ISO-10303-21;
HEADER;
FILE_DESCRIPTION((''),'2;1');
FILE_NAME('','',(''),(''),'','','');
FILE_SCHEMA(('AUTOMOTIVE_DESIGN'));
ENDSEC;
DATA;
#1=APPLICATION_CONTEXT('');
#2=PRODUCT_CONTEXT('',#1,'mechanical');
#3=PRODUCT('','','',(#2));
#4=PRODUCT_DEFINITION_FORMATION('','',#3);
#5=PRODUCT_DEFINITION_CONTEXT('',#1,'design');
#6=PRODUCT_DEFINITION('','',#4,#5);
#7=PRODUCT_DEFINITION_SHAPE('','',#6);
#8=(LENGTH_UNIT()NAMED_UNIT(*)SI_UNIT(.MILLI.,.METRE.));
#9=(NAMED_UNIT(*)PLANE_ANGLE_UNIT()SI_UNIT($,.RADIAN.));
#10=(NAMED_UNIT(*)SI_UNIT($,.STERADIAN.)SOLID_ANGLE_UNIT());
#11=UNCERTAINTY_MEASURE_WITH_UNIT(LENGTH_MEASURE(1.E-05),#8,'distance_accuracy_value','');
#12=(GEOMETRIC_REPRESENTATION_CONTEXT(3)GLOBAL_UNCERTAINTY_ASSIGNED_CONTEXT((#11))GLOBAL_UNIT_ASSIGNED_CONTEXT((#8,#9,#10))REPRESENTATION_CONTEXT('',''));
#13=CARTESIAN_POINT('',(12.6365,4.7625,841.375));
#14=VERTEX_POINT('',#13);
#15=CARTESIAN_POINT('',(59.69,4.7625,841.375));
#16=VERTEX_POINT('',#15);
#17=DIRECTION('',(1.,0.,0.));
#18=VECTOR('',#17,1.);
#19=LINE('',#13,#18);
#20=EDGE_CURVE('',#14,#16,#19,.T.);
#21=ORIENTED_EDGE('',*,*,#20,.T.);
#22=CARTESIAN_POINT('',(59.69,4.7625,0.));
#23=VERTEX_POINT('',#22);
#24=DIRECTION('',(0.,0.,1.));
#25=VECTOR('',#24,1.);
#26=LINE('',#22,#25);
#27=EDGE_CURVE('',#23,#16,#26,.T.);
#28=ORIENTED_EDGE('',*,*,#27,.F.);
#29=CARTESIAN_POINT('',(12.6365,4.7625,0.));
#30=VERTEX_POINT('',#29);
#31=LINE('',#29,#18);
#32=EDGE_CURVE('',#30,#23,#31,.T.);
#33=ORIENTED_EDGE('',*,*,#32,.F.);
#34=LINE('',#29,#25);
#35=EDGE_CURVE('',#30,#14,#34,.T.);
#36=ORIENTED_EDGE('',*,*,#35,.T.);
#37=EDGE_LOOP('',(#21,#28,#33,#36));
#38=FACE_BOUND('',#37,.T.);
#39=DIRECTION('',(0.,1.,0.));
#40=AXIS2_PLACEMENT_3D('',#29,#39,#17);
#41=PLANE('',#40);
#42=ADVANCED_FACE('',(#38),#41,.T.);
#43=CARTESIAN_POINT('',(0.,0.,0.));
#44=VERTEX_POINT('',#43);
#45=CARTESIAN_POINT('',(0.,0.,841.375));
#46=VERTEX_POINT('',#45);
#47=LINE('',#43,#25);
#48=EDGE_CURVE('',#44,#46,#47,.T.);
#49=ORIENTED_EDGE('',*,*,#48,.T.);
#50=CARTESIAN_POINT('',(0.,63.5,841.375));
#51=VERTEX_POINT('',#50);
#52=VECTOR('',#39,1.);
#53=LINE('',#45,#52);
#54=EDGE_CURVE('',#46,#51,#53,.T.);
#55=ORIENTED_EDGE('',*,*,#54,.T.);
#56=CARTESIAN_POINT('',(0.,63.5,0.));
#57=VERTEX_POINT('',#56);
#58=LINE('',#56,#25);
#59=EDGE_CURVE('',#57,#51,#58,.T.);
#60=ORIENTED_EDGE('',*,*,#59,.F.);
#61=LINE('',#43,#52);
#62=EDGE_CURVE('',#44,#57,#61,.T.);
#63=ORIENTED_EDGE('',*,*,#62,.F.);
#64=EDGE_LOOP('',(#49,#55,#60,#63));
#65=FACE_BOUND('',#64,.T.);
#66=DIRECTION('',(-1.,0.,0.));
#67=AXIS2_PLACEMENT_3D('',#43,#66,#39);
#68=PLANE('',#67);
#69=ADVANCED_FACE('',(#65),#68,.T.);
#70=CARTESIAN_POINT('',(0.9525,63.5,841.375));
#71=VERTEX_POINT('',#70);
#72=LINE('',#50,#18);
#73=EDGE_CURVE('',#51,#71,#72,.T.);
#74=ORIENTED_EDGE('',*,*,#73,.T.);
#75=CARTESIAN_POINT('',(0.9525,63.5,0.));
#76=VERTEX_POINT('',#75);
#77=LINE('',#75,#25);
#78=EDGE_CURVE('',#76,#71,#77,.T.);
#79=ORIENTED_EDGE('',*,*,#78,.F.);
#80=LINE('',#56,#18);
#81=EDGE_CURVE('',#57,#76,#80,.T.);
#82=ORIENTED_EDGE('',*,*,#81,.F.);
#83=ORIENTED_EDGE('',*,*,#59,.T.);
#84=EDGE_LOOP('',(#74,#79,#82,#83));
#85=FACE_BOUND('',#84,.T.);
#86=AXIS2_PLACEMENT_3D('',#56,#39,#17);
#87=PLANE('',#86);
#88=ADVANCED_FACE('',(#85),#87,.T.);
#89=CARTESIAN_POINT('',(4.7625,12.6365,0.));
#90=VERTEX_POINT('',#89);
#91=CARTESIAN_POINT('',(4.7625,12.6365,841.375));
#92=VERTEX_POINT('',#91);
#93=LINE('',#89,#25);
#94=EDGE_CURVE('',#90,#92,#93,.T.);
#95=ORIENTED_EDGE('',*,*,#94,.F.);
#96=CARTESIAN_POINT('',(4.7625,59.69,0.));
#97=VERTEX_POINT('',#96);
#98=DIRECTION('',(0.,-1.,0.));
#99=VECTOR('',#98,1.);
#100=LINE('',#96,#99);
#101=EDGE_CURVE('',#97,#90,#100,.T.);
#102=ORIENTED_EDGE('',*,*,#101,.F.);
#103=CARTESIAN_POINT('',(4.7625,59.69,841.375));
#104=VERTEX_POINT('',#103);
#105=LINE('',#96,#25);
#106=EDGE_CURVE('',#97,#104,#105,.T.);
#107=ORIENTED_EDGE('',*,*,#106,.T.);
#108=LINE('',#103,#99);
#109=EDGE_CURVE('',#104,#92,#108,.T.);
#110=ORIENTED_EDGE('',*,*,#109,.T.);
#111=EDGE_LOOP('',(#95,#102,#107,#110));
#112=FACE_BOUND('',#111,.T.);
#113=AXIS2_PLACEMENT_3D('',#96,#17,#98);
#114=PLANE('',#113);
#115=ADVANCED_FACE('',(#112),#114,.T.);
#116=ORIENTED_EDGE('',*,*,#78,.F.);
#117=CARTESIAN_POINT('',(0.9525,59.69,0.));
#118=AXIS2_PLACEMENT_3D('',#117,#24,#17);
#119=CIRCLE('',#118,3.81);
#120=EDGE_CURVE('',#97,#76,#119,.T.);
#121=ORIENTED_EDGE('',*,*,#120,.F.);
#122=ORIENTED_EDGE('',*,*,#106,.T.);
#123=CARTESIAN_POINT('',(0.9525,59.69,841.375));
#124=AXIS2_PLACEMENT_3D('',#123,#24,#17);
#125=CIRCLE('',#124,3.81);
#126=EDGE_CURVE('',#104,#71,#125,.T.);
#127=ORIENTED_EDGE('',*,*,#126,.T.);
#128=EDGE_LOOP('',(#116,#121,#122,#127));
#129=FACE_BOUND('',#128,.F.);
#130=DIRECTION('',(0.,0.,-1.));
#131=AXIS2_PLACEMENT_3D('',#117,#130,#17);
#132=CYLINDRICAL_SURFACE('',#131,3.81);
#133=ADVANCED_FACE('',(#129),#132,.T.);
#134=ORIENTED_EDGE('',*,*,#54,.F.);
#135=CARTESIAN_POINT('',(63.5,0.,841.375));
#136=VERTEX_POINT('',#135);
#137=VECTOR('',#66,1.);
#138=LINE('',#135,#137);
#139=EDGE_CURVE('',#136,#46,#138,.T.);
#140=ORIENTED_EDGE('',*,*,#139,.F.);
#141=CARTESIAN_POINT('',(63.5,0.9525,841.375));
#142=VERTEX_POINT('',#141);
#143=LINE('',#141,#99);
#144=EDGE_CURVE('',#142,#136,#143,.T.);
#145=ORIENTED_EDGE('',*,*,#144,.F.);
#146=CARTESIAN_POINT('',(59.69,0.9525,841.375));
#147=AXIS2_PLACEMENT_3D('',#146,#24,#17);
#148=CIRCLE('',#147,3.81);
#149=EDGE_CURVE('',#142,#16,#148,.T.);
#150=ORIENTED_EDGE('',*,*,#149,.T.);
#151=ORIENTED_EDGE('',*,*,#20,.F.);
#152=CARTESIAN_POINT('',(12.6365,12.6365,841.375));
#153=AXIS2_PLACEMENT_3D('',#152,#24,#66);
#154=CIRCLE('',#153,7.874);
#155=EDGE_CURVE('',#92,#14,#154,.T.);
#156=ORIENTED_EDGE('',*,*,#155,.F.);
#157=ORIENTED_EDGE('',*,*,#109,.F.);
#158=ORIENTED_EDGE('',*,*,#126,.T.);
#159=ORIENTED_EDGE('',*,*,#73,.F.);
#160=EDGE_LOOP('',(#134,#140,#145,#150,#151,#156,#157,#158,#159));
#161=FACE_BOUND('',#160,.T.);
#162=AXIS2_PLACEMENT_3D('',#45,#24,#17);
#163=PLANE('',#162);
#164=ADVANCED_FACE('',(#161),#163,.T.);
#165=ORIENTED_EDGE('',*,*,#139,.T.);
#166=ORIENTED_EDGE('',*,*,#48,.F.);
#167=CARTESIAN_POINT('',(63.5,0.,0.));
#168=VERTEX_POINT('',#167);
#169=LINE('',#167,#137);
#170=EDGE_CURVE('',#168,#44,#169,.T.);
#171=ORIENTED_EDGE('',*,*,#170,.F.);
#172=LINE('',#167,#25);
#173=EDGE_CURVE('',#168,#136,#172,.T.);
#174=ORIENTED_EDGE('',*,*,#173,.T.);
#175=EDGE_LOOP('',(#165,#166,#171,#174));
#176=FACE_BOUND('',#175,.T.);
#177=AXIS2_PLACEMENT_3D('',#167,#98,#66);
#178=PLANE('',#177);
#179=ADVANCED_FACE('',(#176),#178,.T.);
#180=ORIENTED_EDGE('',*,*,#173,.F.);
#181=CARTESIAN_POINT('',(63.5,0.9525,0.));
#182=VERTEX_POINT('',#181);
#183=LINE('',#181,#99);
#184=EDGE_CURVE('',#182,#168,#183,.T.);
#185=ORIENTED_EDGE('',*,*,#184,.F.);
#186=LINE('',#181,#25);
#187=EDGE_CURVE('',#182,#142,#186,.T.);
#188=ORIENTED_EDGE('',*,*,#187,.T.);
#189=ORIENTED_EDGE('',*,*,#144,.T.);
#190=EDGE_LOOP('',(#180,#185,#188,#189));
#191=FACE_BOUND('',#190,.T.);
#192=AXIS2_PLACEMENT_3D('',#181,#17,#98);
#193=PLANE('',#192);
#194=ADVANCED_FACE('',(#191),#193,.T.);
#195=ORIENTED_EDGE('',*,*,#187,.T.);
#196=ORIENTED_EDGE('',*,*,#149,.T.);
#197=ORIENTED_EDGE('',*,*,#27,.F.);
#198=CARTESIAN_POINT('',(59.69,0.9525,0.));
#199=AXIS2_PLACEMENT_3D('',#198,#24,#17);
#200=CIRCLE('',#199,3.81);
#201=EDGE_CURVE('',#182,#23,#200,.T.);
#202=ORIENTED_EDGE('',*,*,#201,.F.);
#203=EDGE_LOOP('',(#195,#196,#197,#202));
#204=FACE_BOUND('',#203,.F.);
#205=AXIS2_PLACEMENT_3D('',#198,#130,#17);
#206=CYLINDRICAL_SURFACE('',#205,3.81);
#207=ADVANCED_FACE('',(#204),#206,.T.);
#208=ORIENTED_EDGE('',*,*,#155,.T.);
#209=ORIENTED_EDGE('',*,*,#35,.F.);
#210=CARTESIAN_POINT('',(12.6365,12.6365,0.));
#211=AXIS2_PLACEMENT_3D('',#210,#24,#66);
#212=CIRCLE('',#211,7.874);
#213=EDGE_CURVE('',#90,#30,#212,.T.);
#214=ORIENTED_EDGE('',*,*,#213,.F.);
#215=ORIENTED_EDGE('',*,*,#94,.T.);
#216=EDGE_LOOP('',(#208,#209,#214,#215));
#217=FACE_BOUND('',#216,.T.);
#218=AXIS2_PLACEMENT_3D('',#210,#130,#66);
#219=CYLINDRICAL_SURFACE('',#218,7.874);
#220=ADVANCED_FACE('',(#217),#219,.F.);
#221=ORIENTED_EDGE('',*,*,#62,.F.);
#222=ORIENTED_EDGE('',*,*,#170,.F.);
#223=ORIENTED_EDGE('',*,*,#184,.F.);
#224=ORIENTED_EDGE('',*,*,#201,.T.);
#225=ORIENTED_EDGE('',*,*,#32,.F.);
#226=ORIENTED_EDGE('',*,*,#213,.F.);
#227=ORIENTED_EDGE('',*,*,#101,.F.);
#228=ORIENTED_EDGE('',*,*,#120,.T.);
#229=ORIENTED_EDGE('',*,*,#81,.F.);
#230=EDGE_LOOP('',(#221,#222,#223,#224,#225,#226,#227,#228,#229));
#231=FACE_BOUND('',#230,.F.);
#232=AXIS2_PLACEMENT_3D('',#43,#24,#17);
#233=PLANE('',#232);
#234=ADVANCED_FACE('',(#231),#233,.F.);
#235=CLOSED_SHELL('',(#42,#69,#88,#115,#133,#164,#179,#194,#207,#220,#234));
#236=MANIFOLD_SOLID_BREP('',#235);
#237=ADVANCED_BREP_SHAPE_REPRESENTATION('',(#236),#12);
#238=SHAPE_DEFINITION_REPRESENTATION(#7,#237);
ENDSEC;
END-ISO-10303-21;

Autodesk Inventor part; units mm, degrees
ref_plane "Start plane" through (0, 0, 0) normal (0, 0, 1) x (1, 0, 0)
ref_plane "End plane" through (0, 0, 841.375) normal (0, 0, 1) x (1, 0, 0)
sketch "Sketch" plane through (0, 0, 0) normal (0, 0, 1) x (1, 0, 0)
  line L0 (63.5, 0) -> (0, 0)
  line L1 (0, 0) -> (0, 63.5)
  line L2 (0, 63.5) -> (0.9525, 63.5)
  line L3 (4.7625, 59.69) -> (4.7625, 12.6365)
  line L4 (12.6365, 4.7625) -> (59.69, 4.7625)
  line L5 (63.5, 0.9525) -> (63.5, 0)
  line L6 (0, -11.0414) -> (0, 31.5385) construction
  line L7 (-11.0414, 0) -> (31.5385, 0) construction
  arc A0 (4.7625, 12.6365) -> (12.6365, 4.7625) centre (12.6365, 12.6365) ccw
  arc A1 (4.7625, 59.69) -> (0.9525, 63.5) centre (0.9525, 59.69) ccw
  arc A2 (63.5, 0.9525) -> (59.69, 4.7625) centre (59.69, 0.9525) ccw
  line L8 (0, 79.3552) -> (0, -26.1075) construction
  line L9 (-26.1075, 0) -> (79.3552, 0) construction
  point P0 (4.7625, 63.5)
  point P1 (4.7625, 4.7625)
  point P2 (63.5, 4.7625)
  dimension "d0" = 63.5
  dimension "d1" = 63.5
  dimension "d2" = 4.7625
  dimension "d3" = 4.7625
  dimension "d10" = 0
  dimension "d11" = 0
  dimension "d14" = 7.874
  dimension "d15" = 3.81
extrude "Body" add sketch "Sketch" along normal up to surface (841.375 mm away) from surface at 0
sketch "Sketch3" plane through (0, 0, 0) normal (0, 0, 1) x (1, 0, 0)
  line L0 (0, 0) -> (10, 0)
ref_plane "Work Plane4" through (0, 0, 0) normal (0, -1, 0) x (1, 0, 0)
sketch "Sketch4" plane through (0, 0, 0) normal (0, -1, 0) x (1, 0, 0)
  line L0 (-2, 0) -> (12, 0)
  line L1 (-2, 841.375) -> (12, 841.375)
  dimension "d17" = 841.375
ref_plane "Work Plane3" through (0, 0, 841.375) normal (0, 0, 1) x (1, 0, 0)
split "Split1" plane through (0, 0, 841.375) removes the side toward (0, 0, 1)
equation "\"d0\" = G_H"
equation "\"d1\" = G_H"
equation "\"d2\" = G_T"
equation "\"d3\" = G_T"
equation "\"d14\" = G_IR"
equation "\"d15\" = G_ER"
equation "\"d4\" = G_L"
equation "\"G_H\" = 63.5"
equation "\"G_T\" = 4.7625"
equation "\"G_ER\" = 3.81"
equation "\"G_IR\" = 7.874"
equation "\"G_L\" = d17"
equation "\"ex\" = 0"
equation "\"G_OFFSET_START\" = 0"
equation "\"G_OFFSET_END\" = 63.5"
equation "\"d13\" = G_OFFSET_END + B_L"
equation "\"B_L\" = 777.875"
properties part number "ANSI L 2.5 x 2.5 x 3_16 00000001"
